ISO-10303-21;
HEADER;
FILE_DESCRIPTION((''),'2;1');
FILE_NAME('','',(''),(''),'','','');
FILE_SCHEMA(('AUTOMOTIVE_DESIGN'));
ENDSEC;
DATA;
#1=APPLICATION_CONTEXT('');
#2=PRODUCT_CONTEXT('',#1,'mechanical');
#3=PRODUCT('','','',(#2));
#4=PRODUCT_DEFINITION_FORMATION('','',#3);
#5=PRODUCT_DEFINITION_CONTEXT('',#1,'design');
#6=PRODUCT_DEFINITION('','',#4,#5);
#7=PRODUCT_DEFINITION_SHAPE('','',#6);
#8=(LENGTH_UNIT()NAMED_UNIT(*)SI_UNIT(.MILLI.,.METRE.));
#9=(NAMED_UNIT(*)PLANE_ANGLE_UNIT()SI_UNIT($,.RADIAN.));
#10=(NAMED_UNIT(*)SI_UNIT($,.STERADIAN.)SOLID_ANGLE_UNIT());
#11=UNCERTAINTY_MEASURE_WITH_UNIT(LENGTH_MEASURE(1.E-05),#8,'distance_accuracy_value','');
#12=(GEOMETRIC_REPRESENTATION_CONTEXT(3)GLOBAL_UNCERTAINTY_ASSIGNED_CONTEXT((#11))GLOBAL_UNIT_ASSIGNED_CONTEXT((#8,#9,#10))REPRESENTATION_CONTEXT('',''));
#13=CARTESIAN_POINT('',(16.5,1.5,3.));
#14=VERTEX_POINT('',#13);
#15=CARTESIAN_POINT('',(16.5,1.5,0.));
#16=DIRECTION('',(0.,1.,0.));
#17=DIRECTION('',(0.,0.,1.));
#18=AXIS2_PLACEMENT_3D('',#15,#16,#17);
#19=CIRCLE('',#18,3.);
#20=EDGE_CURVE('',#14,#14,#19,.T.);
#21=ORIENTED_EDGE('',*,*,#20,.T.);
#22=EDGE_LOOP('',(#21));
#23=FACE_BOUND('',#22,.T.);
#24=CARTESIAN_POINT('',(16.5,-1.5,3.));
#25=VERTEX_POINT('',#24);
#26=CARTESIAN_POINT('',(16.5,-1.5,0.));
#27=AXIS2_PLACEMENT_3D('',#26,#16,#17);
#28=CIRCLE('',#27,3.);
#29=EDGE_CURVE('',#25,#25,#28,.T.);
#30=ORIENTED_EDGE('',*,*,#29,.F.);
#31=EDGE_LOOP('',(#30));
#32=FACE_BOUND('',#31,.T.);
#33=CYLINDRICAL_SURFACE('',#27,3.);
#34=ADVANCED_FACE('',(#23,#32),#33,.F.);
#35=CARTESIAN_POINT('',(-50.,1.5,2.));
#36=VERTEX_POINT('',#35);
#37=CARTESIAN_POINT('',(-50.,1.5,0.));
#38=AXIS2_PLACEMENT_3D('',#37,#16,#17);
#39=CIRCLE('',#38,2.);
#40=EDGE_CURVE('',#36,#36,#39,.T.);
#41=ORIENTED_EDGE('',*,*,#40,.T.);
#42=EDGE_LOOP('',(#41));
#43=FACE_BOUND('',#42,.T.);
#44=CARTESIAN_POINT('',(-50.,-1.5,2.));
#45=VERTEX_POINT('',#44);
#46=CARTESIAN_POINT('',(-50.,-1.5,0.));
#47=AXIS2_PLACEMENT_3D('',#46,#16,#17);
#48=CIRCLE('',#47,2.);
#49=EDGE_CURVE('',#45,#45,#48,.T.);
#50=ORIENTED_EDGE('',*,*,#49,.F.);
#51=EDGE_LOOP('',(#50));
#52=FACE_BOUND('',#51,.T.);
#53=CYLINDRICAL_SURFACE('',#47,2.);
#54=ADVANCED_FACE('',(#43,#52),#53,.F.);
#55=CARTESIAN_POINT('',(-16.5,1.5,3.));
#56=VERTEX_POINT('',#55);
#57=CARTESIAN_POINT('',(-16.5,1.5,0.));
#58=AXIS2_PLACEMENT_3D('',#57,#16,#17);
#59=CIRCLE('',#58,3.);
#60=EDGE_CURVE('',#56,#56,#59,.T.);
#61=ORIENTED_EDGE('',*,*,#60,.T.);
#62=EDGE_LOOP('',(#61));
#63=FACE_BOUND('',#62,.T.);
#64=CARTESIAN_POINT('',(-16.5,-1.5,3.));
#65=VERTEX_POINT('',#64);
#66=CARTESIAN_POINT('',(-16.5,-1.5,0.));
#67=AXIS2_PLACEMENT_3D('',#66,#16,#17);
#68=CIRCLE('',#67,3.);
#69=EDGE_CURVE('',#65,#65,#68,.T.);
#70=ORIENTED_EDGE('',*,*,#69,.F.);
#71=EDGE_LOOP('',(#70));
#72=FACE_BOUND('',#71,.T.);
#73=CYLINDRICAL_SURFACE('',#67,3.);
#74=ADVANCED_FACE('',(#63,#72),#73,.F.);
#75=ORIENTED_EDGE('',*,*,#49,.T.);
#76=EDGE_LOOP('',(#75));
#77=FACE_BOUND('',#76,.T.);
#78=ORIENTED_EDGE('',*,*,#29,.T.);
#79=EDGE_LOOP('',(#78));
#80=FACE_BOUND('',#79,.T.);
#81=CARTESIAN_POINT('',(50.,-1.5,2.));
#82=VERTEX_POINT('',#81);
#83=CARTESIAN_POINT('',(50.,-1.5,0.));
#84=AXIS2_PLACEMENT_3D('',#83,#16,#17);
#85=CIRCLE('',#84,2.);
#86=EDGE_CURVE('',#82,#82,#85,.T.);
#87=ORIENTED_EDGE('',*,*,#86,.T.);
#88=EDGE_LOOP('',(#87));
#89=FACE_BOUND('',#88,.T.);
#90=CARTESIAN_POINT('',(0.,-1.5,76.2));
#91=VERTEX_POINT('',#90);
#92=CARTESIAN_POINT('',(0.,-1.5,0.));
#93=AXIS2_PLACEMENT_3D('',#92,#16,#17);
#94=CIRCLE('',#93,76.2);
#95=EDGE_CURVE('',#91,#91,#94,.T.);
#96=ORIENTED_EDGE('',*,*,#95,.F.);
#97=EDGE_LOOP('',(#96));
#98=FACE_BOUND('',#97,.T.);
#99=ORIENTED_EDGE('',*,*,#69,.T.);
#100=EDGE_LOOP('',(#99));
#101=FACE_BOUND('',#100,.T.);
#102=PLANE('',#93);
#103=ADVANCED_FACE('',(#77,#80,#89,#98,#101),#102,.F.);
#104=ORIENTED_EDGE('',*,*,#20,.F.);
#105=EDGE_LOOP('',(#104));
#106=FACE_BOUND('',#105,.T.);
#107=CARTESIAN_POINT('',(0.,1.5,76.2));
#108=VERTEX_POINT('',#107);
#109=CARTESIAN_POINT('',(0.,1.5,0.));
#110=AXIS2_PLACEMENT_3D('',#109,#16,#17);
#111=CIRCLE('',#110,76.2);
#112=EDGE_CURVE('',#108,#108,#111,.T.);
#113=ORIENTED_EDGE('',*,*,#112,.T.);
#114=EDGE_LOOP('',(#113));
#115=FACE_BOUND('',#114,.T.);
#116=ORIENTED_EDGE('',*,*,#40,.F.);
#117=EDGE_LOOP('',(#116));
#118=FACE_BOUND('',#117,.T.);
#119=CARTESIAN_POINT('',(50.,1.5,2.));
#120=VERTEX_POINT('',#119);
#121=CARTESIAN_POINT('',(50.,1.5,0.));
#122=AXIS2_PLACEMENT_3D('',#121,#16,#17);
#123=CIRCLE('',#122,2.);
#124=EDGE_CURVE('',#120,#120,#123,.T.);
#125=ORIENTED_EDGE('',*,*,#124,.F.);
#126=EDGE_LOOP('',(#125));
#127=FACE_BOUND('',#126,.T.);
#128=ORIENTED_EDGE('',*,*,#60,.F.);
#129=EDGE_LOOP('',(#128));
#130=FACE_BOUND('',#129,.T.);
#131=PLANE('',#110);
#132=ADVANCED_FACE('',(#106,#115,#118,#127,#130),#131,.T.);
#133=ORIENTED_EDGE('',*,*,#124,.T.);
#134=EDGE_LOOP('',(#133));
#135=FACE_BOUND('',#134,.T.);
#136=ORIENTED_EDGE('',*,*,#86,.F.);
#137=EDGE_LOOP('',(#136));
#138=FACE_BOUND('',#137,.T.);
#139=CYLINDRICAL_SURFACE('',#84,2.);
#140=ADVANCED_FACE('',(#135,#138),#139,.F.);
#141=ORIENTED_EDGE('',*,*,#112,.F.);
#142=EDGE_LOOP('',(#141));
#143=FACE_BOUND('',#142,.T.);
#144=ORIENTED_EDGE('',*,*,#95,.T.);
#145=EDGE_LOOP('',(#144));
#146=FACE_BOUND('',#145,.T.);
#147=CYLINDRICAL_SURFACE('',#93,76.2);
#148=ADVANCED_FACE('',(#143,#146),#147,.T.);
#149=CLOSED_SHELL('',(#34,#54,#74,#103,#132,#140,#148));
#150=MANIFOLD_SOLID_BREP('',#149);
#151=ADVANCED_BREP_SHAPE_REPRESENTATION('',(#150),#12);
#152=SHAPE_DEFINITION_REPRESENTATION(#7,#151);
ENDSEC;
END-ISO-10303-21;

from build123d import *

# Parameters (mm, degrees)
BOSS_EXTRUDE1_DEPTH      = 1.5
BOSS_EXTRUDE1_DEPTH_BACK = 1.5
SKETCH1_R                = 76.2
SKETCH1_R_2              = 2
SKETCH1_R_3              = 3


with BuildPart() as part:
    # Sketch1 → Boss-Extrude1 (new, two sides: drawn at the far end of the back side and taken through both)
    with BuildSketch(Plane(origin=(0, 0, 0), x_dir=(1, 0, 0), z_dir=(0, 1, 0)).offset(-BOSS_EXTRUDE1_DEPTH_BACK)):
        Circle(SKETCH1_R)
        with Locations((-50, 0)):
            Circle(SKETCH1_R_2, mode=Mode.SUBTRACT)
        with Locations((50, 0)):
            Circle(SKETCH1_R_2, mode=Mode.SUBTRACT)
        with Locations((-16.5, 0)):
            Circle(SKETCH1_R_3, mode=Mode.SUBTRACT)
        with Locations((16.5, 0)):
            Circle(SKETCH1_R_3, mode=Mode.SUBTRACT)
    extrude(amount=BOSS_EXTRUDE1_DEPTH + BOSS_EXTRUDE1_DEPTH_BACK)


solid = part.part
